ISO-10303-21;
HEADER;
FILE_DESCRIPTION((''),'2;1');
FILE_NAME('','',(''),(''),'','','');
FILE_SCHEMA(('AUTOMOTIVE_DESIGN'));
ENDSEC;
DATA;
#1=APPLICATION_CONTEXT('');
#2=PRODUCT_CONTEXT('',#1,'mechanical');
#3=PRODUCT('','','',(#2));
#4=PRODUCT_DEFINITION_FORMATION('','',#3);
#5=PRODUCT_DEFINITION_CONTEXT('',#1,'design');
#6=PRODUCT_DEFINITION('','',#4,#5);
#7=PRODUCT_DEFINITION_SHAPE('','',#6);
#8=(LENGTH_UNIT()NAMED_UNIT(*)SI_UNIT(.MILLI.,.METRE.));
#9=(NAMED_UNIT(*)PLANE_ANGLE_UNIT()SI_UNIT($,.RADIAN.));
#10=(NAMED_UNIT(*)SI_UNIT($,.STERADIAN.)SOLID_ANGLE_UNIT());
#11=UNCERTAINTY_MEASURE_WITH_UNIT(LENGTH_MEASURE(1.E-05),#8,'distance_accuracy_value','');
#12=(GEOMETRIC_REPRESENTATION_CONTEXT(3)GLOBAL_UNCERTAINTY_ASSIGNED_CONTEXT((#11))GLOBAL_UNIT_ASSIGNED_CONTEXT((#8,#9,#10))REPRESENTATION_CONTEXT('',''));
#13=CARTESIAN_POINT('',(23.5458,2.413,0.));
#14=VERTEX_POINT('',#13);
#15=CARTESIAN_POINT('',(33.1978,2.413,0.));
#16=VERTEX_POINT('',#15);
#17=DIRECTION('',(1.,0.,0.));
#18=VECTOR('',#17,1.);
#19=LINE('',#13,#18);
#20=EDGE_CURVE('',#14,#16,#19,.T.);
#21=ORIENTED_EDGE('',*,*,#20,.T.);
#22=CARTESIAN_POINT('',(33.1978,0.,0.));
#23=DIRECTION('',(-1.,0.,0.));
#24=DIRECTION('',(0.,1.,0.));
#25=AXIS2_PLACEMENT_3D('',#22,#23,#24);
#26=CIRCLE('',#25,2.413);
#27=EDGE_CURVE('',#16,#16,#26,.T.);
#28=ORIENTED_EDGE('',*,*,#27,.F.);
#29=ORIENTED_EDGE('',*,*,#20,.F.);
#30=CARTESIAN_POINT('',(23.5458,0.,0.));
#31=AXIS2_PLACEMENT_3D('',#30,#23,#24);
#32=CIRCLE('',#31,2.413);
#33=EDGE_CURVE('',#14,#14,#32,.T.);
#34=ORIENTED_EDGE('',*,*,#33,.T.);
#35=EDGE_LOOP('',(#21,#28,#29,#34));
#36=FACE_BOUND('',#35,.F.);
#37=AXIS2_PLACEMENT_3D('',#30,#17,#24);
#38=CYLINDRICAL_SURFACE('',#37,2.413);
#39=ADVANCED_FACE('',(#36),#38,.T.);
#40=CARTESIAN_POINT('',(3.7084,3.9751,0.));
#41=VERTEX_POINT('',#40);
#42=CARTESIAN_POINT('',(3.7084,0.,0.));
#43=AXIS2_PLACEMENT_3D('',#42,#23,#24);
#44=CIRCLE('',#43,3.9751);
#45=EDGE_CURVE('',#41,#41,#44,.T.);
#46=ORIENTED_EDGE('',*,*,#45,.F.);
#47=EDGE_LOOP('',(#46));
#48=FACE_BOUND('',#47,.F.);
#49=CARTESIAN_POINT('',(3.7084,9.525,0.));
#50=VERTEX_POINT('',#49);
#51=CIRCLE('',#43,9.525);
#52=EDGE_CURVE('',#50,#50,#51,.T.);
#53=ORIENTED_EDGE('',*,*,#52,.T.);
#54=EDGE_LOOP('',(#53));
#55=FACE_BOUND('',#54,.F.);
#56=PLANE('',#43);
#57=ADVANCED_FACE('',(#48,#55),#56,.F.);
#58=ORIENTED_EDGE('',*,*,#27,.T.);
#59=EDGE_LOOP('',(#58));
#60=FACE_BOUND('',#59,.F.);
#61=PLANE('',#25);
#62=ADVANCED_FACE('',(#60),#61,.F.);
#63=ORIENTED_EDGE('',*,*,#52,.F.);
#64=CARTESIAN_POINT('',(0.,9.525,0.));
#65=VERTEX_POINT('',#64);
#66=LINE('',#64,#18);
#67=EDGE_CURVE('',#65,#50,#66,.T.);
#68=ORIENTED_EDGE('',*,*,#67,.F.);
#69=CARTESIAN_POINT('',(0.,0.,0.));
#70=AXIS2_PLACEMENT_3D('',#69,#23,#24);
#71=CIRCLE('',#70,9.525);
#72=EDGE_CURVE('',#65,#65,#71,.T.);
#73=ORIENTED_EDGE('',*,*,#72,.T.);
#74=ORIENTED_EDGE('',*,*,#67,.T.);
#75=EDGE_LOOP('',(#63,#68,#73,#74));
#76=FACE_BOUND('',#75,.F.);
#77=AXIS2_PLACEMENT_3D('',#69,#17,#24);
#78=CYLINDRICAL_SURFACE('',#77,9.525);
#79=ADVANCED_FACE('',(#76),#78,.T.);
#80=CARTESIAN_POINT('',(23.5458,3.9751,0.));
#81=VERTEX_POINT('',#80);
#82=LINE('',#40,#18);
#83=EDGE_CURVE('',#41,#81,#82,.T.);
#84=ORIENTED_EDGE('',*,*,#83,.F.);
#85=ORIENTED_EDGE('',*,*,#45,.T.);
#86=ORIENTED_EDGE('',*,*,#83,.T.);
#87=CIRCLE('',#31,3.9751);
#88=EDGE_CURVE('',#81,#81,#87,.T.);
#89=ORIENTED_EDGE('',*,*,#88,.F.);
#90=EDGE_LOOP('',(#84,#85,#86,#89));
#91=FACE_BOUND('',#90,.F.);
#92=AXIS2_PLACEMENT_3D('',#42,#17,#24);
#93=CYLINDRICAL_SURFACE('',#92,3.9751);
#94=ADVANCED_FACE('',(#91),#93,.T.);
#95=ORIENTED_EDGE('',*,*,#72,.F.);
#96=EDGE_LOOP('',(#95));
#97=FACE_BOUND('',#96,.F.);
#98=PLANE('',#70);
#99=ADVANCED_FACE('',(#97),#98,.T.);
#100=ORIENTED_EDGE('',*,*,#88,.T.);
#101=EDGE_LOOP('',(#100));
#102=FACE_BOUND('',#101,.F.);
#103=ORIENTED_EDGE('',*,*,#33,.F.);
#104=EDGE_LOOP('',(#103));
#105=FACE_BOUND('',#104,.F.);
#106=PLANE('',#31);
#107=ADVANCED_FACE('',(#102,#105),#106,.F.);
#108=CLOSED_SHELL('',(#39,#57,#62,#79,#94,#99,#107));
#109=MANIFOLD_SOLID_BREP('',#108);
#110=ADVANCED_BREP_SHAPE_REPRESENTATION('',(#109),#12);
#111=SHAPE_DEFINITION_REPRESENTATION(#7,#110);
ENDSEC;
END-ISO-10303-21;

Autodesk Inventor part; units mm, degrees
ref_plane "YZ Plane" through (0, 0, 0) normal (1, 0, 0) x (0, 1, 0)
ref_plane "XZ Plane" through (0, 0, 0) normal (0, 1, 0) x (-1, 0, 0)
ref_plane "XY Plane" through (0, 0, 0) normal (0, 0, 1) x (1, 0, 0)
sketch "Sketch1" plane through (0, 0, 0) normal (0, 0, 1) x (1, 0, 0)
  line L0 (0, 0) -> (0, 9.525)
  line L1 (0, 9.525) -> (3.7084, 9.525)
  line L2 (3.7084, 9.525) -> (3.7084, 3.9751)
  line L3 (3.7084, 3.9751) -> (23.5458, 3.9751)
  line L4 (23.5458, 3.9751) -> (23.5458, 2.413)
  line L5 (23.5458, 2.413) -> (33.1978, 2.413)
  line L6 (33.1978, 2.413) -> (33.1978, 0)
  line L7 (33.1978, 0) -> (0, 0)
  dimension "d0" = 9.525
  dimension "d1" = 3.9751
  dimension "d2" = 3.7084
  dimension "d3" = 9.652
  dimension "d4" = 33.1978
  dimension "d5" = 2.413
revolve "Revolution1" add sketch "Sketch1" angle 360 about axis through (33.1978, 0, 0) along (-1, 0, 0)
thread "Thread1" size "10-24 UNC" class "2A" standard "ANSI Unified Screw Threads" full length
properties part number "Pancake Shifter Shaft"
